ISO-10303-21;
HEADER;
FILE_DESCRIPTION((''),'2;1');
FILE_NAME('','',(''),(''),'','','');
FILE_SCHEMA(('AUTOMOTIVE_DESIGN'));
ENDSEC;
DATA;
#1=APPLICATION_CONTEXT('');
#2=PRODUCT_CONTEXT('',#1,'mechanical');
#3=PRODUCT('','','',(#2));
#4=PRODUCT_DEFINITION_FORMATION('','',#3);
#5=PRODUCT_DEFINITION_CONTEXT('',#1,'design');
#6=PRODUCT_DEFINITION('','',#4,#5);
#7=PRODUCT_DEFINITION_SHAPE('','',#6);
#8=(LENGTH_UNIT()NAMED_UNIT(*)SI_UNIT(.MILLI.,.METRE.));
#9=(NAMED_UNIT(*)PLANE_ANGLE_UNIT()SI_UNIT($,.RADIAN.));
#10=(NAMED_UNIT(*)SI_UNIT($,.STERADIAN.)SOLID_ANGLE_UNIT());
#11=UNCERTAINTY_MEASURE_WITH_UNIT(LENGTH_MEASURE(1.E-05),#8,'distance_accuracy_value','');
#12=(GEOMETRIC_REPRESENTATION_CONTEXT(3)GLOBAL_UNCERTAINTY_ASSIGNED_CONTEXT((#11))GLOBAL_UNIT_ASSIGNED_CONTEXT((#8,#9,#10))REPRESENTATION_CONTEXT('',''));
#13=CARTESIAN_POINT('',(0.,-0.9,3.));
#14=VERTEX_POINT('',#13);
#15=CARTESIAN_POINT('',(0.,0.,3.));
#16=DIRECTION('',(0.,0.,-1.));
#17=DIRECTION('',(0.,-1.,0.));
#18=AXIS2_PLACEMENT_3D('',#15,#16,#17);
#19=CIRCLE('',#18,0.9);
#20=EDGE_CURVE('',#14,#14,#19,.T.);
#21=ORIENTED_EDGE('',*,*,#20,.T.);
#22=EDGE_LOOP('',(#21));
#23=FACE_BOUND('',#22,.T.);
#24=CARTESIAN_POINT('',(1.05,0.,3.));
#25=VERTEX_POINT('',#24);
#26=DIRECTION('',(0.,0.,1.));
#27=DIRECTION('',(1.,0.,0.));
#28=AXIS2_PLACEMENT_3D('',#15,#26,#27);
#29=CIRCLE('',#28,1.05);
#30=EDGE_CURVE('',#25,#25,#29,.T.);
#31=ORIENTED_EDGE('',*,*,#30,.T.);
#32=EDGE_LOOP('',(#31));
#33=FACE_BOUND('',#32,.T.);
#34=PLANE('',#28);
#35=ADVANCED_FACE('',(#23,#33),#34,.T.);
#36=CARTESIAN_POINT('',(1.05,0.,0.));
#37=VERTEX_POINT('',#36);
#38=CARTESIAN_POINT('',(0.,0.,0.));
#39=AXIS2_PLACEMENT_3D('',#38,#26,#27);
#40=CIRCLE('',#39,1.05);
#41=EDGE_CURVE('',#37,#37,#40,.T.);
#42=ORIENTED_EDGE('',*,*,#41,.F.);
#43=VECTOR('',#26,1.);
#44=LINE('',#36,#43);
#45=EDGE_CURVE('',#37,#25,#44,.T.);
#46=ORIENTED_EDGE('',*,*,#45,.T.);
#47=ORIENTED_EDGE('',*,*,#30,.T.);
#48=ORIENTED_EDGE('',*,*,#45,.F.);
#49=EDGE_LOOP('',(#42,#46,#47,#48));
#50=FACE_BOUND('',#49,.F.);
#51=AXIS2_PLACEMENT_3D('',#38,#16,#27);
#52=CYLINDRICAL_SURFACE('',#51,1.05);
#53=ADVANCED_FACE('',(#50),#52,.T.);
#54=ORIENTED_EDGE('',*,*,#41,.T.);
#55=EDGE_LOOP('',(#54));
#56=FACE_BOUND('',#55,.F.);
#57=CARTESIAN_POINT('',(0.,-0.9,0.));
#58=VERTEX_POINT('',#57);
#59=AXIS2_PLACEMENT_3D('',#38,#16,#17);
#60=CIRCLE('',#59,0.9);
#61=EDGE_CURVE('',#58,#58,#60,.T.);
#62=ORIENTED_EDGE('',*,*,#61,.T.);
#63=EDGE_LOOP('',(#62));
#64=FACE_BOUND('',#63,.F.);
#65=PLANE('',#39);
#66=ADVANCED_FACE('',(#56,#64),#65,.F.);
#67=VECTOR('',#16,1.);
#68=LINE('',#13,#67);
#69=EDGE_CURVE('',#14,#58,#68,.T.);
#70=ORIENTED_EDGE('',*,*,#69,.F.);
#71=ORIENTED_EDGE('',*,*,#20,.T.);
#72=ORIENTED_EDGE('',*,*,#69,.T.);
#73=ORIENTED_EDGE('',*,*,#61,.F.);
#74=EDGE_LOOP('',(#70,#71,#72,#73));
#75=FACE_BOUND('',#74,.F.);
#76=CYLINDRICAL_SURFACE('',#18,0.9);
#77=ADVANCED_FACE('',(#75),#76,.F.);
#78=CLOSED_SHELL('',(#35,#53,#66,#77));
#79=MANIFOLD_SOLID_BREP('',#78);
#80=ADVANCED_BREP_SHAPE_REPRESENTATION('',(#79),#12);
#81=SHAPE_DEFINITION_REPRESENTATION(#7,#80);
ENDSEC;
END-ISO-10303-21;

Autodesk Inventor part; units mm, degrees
ref_plane "YZ Plane" through (0, 0, 0) normal (1, 0, 0) x (0, 1, 0)
ref_plane "XZ Plane" through (0, 0, 0) normal (0, 1, 0) x (-1, 0, 0)
ref_plane "XY Plane" through (0, 0, 0) normal (0, 0, 1) x (1, 0, 0)
sketch "Sketch1" plane through (0, 0, 0) normal (0, 0, 1) x (1, 0, 0)
  circle A0 centre (0, 0) radius 1.05
  dimension "d0" = 2.1
extrude "Extrusion1" add sketch "Sketch1" along normal blind 3
hole "Hole1" at (0, 0, 3) direction (0, 0, -1) diameter 1.8 end through all
properties part number "Post"
